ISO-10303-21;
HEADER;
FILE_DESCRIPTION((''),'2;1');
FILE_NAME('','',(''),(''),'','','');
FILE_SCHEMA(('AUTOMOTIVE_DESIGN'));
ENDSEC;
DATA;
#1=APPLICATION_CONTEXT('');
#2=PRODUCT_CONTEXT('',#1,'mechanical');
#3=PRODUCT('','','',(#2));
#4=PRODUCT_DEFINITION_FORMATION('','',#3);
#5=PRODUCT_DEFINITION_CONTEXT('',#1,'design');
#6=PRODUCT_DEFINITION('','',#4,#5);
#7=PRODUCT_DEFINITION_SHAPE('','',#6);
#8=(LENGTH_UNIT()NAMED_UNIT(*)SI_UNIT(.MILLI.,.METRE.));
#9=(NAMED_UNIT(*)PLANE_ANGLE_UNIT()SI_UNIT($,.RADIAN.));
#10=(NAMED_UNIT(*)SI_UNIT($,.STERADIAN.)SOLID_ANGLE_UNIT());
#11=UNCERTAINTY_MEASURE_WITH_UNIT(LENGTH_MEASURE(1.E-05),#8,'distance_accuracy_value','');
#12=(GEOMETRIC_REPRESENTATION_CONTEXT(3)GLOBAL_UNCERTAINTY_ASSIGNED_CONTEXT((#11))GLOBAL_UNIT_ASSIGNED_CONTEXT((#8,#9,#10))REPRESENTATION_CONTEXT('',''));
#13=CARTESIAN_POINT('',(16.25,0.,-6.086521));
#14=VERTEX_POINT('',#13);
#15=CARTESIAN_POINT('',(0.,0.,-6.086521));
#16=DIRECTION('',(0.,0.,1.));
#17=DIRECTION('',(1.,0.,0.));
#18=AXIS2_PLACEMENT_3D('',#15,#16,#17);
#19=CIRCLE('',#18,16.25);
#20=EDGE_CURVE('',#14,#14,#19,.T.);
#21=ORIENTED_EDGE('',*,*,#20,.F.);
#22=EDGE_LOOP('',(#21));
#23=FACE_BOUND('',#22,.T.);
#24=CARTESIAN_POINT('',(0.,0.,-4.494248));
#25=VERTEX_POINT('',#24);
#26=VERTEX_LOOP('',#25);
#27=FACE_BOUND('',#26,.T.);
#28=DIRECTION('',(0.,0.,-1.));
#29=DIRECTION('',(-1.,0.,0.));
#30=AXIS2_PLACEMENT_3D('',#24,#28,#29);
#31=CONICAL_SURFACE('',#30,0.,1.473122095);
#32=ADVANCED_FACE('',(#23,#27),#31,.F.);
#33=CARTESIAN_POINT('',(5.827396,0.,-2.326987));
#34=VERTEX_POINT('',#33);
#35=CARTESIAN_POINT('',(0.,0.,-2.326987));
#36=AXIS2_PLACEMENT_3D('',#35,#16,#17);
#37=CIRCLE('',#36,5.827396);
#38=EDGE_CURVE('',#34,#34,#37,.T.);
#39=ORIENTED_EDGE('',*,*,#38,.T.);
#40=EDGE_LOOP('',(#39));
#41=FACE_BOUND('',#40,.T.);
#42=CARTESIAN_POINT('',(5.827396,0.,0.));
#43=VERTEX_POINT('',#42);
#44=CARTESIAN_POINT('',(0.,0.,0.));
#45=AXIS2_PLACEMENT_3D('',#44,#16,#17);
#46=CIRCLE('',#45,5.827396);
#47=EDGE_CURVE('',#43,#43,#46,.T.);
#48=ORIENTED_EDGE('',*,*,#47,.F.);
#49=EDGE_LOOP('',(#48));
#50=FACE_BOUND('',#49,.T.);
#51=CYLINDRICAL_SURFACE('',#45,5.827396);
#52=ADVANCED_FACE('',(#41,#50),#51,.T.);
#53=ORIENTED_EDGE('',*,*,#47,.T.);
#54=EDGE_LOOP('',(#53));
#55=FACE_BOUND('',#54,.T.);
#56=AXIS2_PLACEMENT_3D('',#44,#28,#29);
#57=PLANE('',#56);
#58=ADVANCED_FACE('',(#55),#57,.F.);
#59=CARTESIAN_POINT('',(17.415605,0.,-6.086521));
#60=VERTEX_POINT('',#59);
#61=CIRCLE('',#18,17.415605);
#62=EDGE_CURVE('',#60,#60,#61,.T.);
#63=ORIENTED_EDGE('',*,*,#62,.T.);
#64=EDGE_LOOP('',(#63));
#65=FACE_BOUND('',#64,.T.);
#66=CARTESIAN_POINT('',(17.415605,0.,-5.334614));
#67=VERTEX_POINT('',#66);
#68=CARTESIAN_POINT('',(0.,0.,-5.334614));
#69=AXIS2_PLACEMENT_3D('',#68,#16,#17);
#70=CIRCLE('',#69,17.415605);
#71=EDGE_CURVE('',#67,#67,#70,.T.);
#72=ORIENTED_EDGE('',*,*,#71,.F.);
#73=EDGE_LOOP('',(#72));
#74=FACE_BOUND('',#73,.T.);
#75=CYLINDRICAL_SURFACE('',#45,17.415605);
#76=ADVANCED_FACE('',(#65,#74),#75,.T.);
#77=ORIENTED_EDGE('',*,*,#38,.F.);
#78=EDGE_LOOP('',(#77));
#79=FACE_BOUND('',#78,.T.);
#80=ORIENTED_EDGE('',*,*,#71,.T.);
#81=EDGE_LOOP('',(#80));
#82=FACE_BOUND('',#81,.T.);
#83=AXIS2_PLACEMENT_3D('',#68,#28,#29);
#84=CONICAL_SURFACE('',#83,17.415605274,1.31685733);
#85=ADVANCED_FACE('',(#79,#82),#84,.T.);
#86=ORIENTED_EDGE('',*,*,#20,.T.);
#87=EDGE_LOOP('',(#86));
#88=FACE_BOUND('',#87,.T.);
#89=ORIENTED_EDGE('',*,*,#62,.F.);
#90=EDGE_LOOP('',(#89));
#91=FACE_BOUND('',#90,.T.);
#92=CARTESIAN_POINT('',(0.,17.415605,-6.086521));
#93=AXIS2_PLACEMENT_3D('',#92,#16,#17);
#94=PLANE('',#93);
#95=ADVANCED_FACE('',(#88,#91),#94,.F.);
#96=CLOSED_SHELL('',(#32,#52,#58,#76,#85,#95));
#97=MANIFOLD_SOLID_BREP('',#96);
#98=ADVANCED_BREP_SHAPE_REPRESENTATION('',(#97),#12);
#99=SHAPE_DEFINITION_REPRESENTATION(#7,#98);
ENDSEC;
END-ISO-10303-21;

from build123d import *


with BuildPart() as part:
    # Sketch1 → Revolve1 (revolve)
    with BuildSketch(Plane(origin=(0, 0, 0), x_dir=(0, 0, -1), z_dir=(1, 0, 0)), mode=Mode.PRIVATE) as revolve1_sk:
        Polygon((0, 0), (0, 5.827395819), (2.326987445, 5.827395819), (5.334614326, 17.415605274), (6.086521046, 17.415605274), (6.086521046, 16.25), (4.494247992, 0), align=None)
    revolve(revolve1_sk.sketch.rotate(Axis((0, 0, 0), (0, 0, -1)), 90), axis=Axis((0, 0, 0), (0, 0, -1)))


solid = part.part
